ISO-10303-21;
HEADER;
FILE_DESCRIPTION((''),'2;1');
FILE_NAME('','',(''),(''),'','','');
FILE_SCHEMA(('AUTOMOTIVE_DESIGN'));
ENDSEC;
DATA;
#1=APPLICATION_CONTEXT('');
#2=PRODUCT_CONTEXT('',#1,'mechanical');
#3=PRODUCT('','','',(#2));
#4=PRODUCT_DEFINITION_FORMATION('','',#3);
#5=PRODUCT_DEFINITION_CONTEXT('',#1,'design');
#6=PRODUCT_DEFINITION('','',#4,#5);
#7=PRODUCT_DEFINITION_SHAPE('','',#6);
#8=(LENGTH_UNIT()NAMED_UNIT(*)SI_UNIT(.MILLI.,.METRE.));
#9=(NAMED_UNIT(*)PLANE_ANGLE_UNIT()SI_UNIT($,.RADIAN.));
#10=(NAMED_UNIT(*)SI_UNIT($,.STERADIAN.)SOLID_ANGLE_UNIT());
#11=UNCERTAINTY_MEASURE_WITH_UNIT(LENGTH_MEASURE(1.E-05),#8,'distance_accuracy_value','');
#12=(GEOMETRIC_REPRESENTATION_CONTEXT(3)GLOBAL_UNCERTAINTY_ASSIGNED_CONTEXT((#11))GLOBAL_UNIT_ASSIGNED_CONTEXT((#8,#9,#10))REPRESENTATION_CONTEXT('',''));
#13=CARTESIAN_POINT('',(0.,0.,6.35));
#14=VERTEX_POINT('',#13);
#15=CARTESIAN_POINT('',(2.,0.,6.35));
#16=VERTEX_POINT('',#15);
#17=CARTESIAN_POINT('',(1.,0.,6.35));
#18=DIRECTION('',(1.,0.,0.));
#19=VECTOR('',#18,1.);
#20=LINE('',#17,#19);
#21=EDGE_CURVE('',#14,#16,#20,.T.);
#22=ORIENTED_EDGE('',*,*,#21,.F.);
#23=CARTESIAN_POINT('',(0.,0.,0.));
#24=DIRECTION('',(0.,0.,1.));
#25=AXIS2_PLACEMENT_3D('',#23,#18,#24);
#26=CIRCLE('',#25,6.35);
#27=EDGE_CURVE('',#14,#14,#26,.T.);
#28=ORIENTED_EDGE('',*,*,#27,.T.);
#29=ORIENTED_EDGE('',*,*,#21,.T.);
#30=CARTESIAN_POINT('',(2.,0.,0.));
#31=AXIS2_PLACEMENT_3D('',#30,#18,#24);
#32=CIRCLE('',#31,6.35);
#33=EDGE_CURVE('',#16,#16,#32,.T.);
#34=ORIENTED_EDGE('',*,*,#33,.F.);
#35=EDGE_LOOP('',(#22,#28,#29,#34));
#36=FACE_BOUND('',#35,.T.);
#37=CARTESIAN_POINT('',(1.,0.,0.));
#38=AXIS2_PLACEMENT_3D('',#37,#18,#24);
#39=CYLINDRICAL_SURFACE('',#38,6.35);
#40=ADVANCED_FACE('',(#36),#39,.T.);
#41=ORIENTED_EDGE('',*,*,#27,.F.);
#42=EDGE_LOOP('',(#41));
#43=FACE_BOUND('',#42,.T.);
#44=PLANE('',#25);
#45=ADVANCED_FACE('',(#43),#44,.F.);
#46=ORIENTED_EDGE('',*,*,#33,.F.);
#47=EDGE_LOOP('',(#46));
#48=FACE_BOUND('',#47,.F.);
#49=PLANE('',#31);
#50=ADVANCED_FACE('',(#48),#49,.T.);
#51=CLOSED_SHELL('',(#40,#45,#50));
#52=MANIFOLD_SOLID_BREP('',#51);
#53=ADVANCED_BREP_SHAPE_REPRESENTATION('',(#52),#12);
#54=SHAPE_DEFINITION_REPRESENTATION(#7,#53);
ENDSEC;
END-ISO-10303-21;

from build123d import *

# Parameters (mm, degrees)
SKETCH_1_W = 2
SKETCH_1_H = 6.35


with BuildPart() as part:
    # 草图1 → 旋转2 (revolve)
    with BuildSketch(Plane.XY, mode=Mode.PRIVATE) as revolve_2_sk:
        with Locations((1, 3.175)):
            Rectangle(SKETCH_1_W, SKETCH_1_H)
    revolve(revolve_2_sk.sketch.rotate(Axis((0, 0, 0), (1, 0, 0)), 90), axis=Axis((0, 0, 0), (1, 0, 0)))  # turned: the seam where the file's is


solid = part.part
